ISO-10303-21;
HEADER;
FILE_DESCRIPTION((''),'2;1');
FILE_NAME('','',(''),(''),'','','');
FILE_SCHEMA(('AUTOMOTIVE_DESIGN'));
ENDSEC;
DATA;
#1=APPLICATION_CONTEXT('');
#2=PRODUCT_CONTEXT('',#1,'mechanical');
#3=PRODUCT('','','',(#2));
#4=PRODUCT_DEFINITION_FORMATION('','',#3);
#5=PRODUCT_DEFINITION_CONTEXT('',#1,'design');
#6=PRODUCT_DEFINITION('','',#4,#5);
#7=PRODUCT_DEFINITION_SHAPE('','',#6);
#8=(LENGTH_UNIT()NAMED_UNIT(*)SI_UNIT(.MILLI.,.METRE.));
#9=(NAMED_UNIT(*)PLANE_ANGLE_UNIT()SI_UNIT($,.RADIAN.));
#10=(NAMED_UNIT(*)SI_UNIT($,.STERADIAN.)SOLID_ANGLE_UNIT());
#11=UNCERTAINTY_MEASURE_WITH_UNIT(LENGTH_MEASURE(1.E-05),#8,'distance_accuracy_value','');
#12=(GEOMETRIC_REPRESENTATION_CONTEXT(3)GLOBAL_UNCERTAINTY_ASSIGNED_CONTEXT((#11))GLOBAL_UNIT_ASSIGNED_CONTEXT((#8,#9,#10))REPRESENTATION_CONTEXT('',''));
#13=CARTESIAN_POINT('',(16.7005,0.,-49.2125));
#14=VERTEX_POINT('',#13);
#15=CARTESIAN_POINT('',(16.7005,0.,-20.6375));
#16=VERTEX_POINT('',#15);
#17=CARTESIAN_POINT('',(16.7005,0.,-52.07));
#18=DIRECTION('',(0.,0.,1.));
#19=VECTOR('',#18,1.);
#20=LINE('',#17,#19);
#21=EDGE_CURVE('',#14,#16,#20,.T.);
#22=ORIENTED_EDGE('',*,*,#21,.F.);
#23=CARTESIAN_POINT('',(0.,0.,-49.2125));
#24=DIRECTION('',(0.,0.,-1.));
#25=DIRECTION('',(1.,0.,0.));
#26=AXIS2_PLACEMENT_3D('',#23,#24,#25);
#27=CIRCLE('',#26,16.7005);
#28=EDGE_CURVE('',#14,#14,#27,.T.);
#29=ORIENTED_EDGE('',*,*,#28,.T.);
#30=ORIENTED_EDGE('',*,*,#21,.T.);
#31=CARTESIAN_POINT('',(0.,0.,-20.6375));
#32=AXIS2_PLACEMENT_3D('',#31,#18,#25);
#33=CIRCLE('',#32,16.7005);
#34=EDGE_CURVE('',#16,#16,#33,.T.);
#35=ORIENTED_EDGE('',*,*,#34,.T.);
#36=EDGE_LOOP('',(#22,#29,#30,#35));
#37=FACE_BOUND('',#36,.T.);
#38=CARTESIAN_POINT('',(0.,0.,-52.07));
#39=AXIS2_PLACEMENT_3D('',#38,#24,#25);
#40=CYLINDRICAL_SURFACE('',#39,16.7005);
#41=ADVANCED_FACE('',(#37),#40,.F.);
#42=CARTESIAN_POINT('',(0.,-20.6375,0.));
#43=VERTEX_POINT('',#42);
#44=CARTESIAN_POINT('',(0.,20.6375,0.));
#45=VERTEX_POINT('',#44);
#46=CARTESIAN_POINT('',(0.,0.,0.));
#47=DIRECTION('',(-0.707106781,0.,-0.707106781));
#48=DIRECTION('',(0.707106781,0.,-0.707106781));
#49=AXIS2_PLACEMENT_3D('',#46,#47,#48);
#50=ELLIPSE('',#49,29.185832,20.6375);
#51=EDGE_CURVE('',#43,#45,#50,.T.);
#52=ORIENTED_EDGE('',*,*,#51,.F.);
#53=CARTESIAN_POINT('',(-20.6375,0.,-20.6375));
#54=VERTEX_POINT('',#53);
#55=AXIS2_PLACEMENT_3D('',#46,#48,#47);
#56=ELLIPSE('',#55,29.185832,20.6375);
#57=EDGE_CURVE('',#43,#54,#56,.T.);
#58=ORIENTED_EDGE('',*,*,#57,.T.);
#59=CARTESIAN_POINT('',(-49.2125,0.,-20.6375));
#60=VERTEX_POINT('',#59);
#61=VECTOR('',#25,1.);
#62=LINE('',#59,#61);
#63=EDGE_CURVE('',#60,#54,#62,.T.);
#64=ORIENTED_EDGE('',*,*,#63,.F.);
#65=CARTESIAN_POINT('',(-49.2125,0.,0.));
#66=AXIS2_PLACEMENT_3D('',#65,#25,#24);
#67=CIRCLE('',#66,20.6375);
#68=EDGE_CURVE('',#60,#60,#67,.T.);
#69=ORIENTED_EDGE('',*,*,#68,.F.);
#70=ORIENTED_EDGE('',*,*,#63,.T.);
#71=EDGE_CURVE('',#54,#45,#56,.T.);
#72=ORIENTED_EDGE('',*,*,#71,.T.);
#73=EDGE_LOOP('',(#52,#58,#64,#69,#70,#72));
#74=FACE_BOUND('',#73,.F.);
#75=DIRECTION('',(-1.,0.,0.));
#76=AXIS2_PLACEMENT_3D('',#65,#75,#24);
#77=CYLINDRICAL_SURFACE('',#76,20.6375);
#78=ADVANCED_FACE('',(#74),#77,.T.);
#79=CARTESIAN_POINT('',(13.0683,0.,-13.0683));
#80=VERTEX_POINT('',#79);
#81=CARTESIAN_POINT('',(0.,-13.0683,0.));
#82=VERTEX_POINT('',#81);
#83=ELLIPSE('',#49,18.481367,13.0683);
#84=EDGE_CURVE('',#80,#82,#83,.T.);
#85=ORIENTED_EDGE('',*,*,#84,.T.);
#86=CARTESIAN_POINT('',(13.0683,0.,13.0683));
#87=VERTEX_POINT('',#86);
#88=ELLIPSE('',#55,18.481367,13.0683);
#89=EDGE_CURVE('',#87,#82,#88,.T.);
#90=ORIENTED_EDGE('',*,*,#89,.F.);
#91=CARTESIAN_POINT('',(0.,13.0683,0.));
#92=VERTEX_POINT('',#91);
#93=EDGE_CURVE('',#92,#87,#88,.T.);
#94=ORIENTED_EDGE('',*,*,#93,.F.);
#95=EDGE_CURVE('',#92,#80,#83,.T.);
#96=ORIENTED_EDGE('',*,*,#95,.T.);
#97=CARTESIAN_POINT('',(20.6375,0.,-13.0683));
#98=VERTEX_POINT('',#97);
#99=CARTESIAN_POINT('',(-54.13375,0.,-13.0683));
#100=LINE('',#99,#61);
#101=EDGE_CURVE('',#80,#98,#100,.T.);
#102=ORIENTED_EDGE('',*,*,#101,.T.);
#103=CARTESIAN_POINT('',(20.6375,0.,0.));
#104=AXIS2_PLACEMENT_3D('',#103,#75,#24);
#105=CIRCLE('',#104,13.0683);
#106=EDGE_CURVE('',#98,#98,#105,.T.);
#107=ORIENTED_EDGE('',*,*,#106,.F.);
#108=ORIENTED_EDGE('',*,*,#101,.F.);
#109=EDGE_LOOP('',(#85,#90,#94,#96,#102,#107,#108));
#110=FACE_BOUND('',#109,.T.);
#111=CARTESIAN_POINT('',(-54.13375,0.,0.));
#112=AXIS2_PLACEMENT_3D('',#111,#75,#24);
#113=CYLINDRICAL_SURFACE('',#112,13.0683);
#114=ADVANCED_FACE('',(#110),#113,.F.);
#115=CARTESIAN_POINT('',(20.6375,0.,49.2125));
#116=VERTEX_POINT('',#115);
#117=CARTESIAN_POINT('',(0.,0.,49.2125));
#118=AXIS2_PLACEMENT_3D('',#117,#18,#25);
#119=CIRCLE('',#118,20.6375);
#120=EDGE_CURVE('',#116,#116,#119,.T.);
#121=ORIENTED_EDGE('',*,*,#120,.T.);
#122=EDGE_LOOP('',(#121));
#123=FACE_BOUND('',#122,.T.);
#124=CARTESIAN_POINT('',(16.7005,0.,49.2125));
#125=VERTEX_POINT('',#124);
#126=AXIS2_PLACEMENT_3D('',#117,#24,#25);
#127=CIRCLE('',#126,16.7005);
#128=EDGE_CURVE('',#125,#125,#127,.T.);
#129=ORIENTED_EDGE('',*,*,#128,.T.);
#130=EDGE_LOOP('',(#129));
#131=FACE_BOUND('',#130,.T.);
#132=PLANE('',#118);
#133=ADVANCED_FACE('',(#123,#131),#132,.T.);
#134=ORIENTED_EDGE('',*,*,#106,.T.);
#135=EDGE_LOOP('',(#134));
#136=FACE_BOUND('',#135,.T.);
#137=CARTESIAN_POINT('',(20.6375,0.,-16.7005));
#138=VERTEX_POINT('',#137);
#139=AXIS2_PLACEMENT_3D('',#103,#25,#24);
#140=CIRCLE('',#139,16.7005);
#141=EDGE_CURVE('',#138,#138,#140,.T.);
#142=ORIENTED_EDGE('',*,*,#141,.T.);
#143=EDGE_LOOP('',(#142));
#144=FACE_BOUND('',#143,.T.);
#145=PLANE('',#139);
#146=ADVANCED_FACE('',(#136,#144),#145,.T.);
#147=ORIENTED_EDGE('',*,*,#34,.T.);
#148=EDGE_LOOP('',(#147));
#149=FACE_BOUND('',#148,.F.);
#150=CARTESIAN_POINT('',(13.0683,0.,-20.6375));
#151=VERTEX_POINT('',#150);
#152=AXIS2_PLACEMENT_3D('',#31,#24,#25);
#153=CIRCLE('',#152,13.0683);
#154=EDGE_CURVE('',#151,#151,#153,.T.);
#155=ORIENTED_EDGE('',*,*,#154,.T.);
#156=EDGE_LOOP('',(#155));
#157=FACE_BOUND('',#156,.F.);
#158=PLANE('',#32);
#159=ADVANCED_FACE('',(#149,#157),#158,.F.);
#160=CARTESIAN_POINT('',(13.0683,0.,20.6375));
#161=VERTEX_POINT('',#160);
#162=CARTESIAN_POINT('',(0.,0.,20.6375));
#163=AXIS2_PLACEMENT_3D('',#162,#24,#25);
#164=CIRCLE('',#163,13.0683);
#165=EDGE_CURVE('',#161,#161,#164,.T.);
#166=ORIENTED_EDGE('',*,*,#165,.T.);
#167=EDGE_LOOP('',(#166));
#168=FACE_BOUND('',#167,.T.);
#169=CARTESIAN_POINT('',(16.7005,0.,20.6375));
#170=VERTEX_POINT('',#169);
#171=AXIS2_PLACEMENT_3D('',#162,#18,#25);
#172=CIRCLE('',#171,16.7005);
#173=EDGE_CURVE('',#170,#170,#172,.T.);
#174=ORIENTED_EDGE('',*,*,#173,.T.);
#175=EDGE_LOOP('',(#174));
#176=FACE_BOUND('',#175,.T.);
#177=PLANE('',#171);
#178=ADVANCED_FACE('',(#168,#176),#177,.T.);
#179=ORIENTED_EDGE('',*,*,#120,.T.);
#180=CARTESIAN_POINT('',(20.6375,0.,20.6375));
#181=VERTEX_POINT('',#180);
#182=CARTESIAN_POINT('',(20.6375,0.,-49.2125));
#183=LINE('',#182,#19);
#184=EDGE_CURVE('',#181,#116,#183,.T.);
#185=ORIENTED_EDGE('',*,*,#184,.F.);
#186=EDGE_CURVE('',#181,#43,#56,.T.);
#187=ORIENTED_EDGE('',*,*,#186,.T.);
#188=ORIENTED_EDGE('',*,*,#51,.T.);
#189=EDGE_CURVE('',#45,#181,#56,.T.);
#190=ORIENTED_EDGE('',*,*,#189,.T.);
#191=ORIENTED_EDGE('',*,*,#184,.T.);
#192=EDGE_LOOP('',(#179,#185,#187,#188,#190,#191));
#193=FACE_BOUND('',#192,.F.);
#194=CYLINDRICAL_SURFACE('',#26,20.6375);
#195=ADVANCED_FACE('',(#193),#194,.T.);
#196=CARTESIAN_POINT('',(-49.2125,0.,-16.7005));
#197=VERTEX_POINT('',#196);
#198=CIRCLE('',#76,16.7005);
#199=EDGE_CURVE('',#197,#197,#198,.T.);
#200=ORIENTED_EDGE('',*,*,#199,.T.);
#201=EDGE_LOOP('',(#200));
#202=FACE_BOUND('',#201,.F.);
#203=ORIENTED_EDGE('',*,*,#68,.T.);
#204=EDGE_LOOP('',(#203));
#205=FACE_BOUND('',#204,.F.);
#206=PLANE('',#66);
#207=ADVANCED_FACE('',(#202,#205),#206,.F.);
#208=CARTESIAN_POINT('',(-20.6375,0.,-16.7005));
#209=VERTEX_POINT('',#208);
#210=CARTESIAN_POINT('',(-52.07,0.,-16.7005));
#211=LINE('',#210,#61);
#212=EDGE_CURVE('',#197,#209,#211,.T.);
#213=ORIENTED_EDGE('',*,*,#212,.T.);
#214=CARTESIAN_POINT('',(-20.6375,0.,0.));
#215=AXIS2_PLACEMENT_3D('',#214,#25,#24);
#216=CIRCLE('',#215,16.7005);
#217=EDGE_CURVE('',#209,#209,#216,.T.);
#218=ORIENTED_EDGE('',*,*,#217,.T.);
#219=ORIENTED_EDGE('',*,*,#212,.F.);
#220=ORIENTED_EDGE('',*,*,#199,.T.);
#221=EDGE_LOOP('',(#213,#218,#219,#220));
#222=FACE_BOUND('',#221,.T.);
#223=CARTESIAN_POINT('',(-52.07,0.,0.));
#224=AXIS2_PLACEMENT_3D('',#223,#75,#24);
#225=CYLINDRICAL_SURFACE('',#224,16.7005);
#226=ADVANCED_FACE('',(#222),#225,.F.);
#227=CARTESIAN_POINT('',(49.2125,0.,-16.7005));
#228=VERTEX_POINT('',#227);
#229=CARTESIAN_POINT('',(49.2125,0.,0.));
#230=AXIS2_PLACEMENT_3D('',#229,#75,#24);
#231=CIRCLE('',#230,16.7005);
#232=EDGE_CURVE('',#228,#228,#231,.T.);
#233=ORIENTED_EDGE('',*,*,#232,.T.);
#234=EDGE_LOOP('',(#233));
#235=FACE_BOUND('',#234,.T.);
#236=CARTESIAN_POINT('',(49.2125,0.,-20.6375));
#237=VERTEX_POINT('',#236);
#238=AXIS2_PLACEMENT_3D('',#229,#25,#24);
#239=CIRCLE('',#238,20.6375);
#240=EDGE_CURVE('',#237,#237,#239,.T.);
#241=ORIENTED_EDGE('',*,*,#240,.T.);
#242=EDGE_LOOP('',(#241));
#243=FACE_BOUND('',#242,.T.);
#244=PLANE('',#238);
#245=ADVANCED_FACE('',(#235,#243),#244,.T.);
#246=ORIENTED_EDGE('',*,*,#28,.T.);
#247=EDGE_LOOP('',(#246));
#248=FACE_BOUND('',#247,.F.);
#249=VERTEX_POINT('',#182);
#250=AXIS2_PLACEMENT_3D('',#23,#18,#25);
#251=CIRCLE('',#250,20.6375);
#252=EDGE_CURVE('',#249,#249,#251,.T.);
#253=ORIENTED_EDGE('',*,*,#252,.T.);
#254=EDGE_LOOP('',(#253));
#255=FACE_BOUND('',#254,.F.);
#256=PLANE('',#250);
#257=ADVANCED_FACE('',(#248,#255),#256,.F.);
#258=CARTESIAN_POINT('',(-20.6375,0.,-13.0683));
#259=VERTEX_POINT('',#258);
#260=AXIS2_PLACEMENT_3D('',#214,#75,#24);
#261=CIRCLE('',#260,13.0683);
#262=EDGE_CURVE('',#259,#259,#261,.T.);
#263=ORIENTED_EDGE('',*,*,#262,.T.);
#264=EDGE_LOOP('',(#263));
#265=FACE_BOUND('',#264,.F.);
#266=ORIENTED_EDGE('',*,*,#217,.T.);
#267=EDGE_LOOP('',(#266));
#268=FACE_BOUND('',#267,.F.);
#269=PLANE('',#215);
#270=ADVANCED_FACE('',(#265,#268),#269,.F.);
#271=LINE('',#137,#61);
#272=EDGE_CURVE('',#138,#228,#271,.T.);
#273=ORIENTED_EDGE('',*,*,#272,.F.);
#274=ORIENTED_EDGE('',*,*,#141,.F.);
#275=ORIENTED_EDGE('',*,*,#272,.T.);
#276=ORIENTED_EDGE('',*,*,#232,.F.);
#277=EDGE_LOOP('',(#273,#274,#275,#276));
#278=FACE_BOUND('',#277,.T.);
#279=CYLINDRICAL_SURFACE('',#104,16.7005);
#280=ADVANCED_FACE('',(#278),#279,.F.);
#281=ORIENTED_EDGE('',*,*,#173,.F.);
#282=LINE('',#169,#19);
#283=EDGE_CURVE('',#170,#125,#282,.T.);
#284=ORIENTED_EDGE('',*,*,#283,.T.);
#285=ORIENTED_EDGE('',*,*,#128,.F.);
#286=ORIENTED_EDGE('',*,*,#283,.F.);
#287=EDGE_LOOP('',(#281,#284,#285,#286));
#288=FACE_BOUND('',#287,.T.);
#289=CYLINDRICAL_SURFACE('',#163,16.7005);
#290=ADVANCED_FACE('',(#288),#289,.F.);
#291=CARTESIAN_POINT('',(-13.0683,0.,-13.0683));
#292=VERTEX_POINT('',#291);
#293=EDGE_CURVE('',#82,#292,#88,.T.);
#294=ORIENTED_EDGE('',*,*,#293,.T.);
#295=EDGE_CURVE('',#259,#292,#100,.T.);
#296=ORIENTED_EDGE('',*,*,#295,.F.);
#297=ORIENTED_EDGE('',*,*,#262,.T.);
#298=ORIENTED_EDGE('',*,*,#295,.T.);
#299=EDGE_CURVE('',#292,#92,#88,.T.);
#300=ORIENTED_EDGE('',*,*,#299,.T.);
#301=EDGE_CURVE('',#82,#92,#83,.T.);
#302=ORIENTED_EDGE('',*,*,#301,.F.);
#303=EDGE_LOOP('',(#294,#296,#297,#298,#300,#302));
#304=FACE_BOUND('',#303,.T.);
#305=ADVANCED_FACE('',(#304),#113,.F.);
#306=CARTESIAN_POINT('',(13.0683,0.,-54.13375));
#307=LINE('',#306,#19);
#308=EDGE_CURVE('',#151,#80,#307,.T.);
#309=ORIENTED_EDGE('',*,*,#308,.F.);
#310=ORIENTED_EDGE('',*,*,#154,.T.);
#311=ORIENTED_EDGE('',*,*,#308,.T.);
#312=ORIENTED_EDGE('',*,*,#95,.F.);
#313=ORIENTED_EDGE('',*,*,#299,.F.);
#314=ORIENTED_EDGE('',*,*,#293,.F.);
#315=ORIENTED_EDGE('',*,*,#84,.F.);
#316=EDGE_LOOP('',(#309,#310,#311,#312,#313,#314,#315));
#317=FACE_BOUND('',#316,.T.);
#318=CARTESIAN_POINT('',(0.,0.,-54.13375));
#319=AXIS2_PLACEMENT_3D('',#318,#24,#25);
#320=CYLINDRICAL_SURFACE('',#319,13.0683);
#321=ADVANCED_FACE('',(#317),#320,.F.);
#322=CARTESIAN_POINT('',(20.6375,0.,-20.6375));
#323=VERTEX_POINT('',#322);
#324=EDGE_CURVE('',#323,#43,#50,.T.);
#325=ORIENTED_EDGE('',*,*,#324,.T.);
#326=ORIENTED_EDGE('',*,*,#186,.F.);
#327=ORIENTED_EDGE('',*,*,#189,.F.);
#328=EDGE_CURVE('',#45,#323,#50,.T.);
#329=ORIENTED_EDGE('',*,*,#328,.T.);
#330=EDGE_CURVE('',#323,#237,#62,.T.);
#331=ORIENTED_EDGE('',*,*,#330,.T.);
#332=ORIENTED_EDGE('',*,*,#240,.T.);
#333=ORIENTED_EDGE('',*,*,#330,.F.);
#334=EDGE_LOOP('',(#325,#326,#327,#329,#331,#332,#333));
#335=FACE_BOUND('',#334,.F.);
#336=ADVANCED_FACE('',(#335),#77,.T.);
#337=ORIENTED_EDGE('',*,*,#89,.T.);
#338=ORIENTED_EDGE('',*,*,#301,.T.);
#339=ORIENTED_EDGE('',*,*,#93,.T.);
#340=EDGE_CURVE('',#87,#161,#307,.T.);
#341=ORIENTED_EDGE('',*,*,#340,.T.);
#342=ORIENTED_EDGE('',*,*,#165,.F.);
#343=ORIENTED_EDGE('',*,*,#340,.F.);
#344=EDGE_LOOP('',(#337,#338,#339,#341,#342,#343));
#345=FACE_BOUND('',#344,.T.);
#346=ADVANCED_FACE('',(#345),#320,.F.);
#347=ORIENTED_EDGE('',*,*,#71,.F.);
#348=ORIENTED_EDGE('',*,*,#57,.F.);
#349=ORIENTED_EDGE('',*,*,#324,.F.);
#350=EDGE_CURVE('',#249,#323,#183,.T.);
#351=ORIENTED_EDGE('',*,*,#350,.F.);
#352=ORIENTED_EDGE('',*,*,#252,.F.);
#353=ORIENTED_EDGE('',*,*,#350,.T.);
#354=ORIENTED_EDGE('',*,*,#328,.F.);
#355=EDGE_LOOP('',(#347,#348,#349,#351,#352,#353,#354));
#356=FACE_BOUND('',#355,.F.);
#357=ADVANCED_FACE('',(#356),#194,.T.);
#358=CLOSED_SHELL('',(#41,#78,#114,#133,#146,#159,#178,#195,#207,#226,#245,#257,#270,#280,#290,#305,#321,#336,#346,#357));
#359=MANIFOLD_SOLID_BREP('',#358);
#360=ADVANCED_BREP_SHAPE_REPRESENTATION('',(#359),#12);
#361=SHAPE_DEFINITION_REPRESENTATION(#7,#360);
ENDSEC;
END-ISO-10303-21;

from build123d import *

# Parameters (mm, degrees)
SOCKETRIGHT_R                       = 16.7005
SOCKETRIGHT_DEPTH                   = 31.4325
SOCKETRIGHT_PITCH_ANGLE             = 90
SOCKETTOP_R                         = 16.7005
SOCKETTOP_DEPTH                     = 31.4325
SOCKETBOTTOM_R                      = 16.7005
SOCKETBOTTOM_DEPTH                  = 31.4325
SOCKETLEFT_R                        = 16.7005
SOCKETLEFT_DEPTH                    = 31.4325
SOCKETLEFT_PITCH_ANGLE              = 90
HORIZONTALINNERCYNLIDER_R           = 13.0683
HORIZONTALINNERCYNLIDER_DEPTH       = 108.2675
HORIZONTALINNERCYNLIDER_PITCH_ANGLE = 90
VERTICALINNERCYNLIDER_R             = 13.0683
VERTICALINNERCYNLIDER_DEPTH         = 108.2675
HORIZONTALOUTERCYNLIDER_R           = 20.6375
HORIZONTALOUTERCYNLIDER_DEPTH       = 98.425
HORIZONTALOUTERCYNLIDER_PITCH_ANGLE = 90
VERTICALOUTERCYNLIDER_R             = 20.6375
VERTICALOUTERCYNLIDER_DEPTH         = 98.425


with BuildPart() as socketright:
    # SocketRight → SocketRight (new body)
    with BuildSketch(Plane.XY):
        Circle(SOCKETRIGHT_R)
    extrude(amount=SOCKETRIGHT_DEPTH)


with BuildPart() as socketright_1:
    # SocketRight pitch: moved
    add(socketright.part.rotate(Axis((0, 0, 0), (0, 1, 0)), SOCKETRIGHT_PITCH_ANGLE))


with BuildPart() as socketright_2:
    # SocketRight placement: moved
    add(socketright_1.part.moved(Location((20.6375, 0, 0))))


with BuildPart() as sockettop:
    # SocketTop → SocketTop (new body)
    with BuildSketch(Plane.XY.offset(20.6375)):
        Circle(SOCKETTOP_R)
    extrude(amount=SOCKETTOP_DEPTH)


with BuildPart() as socketbottom:
    # SocketBottom → SocketBottom (new body)
    with BuildSketch(Plane.XY.offset(-52.07)):
        Circle(SOCKETBOTTOM_R)
    extrude(amount=SOCKETBOTTOM_DEPTH)


with BuildPart() as sockets:
    # SocketLeft → SocketLeft (new body)
    with BuildSketch(Plane.XY):
        Circle(SOCKETLEFT_R)
    extrude(amount=SOCKETLEFT_DEPTH)


with BuildPart() as sockets_1:
    # SocketLeft pitch: moved
    add(sockets.part.rotate(Axis((0, 0, 0), (0, 1, 0)), SOCKETLEFT_PITCH_ANGLE))


with BuildPart() as sockets_2:
    # SocketLeft placement: moved
    add(sockets_1.part.moved(Location((-52.07, 0, 0))))

    # Sockets: union SocketRight, SocketTop, SocketBottom
    add(socketright_2.part)
    add(sockettop.part)
    add(socketbottom.part)


with BuildPart() as horizontalinnercynlider:
    # HorizontalInnerCynlider → HorizontalInnerCynlider (new body)
    with BuildSketch(Plane.XY):
        Circle(HORIZONTALINNERCYNLIDER_R)
    extrude(amount=HORIZONTALINNERCYNLIDER_DEPTH)


with BuildPart() as horizontalinnercynlider_1:
    # HorizontalInnerCynlider pitch: moved
    add(horizontalinnercynlider.part.rotate(Axis((0, 0, 0), (0, 1, 0)), HORIZONTALINNERCYNLIDER_PITCH_ANGLE))


with BuildPart() as horizontalinnercynlider_2:
    # HorizontalInnerCynlider placement: moved
    add(horizontalinnercynlider_1.part.moved(Location((-54.13375, 0, 0))))


with BuildPart() as innercrossfusion:
    # VerticalInnerCynlider → VerticalInnerCynlider (new body)
    with BuildSketch(Plane.XY.offset(-54.13375)):
        Circle(VERTICALINNERCYNLIDER_R)
    extrude(amount=VERTICALINNERCYNLIDER_DEPTH)

    # InnerCrossFusion: union HorizontalInnerCynlider
    add(horizontalinnercynlider_2.part)


with BuildPart() as horizontaloutercynlider:
    # HorizontalOuterCynlider → HorizontalOuterCynlider (new body)
    with BuildSketch(Plane.XY):
        Circle(HORIZONTALOUTERCYNLIDER_R)
    extrude(amount=HORIZONTALOUTERCYNLIDER_DEPTH)


with BuildPart() as horizontaloutercynlider_1:
    # HorizontalOuterCynlider pitch: moved
    add(horizontaloutercynlider.part.rotate(Axis((0, 0, 0), (0, 1, 0)), HORIZONTALOUTERCYNLIDER_PITCH_ANGLE))


with BuildPart() as horizontaloutercynlider_2:
    # HorizontalOuterCynlider placement: moved
    add(horizontaloutercynlider_1.part.moved(Location((-49.2125, 0, 0))))


with BuildPart() as cross:
    # VerticalOuterCynlider → VerticalOuterCynlider (new body)
    with BuildSketch(Plane.XY.offset(-49.2125)):
        Circle(VERTICALOUTERCYNLIDER_R)
    extrude(amount=VERTICALOUTERCYNLIDER_DEPTH)

    # OuterCrossFusion: union HorizontalOuterCynlider
    add(horizontaloutercynlider_2.part)

    # Cut: cut InnerCrossFusion
    add(innercrossfusion.part, mode=Mode.SUBTRACT)

    # Cross: cut Sockets
    add(sockets_2.part, mode=Mode.SUBTRACT)


solid = cross.part
